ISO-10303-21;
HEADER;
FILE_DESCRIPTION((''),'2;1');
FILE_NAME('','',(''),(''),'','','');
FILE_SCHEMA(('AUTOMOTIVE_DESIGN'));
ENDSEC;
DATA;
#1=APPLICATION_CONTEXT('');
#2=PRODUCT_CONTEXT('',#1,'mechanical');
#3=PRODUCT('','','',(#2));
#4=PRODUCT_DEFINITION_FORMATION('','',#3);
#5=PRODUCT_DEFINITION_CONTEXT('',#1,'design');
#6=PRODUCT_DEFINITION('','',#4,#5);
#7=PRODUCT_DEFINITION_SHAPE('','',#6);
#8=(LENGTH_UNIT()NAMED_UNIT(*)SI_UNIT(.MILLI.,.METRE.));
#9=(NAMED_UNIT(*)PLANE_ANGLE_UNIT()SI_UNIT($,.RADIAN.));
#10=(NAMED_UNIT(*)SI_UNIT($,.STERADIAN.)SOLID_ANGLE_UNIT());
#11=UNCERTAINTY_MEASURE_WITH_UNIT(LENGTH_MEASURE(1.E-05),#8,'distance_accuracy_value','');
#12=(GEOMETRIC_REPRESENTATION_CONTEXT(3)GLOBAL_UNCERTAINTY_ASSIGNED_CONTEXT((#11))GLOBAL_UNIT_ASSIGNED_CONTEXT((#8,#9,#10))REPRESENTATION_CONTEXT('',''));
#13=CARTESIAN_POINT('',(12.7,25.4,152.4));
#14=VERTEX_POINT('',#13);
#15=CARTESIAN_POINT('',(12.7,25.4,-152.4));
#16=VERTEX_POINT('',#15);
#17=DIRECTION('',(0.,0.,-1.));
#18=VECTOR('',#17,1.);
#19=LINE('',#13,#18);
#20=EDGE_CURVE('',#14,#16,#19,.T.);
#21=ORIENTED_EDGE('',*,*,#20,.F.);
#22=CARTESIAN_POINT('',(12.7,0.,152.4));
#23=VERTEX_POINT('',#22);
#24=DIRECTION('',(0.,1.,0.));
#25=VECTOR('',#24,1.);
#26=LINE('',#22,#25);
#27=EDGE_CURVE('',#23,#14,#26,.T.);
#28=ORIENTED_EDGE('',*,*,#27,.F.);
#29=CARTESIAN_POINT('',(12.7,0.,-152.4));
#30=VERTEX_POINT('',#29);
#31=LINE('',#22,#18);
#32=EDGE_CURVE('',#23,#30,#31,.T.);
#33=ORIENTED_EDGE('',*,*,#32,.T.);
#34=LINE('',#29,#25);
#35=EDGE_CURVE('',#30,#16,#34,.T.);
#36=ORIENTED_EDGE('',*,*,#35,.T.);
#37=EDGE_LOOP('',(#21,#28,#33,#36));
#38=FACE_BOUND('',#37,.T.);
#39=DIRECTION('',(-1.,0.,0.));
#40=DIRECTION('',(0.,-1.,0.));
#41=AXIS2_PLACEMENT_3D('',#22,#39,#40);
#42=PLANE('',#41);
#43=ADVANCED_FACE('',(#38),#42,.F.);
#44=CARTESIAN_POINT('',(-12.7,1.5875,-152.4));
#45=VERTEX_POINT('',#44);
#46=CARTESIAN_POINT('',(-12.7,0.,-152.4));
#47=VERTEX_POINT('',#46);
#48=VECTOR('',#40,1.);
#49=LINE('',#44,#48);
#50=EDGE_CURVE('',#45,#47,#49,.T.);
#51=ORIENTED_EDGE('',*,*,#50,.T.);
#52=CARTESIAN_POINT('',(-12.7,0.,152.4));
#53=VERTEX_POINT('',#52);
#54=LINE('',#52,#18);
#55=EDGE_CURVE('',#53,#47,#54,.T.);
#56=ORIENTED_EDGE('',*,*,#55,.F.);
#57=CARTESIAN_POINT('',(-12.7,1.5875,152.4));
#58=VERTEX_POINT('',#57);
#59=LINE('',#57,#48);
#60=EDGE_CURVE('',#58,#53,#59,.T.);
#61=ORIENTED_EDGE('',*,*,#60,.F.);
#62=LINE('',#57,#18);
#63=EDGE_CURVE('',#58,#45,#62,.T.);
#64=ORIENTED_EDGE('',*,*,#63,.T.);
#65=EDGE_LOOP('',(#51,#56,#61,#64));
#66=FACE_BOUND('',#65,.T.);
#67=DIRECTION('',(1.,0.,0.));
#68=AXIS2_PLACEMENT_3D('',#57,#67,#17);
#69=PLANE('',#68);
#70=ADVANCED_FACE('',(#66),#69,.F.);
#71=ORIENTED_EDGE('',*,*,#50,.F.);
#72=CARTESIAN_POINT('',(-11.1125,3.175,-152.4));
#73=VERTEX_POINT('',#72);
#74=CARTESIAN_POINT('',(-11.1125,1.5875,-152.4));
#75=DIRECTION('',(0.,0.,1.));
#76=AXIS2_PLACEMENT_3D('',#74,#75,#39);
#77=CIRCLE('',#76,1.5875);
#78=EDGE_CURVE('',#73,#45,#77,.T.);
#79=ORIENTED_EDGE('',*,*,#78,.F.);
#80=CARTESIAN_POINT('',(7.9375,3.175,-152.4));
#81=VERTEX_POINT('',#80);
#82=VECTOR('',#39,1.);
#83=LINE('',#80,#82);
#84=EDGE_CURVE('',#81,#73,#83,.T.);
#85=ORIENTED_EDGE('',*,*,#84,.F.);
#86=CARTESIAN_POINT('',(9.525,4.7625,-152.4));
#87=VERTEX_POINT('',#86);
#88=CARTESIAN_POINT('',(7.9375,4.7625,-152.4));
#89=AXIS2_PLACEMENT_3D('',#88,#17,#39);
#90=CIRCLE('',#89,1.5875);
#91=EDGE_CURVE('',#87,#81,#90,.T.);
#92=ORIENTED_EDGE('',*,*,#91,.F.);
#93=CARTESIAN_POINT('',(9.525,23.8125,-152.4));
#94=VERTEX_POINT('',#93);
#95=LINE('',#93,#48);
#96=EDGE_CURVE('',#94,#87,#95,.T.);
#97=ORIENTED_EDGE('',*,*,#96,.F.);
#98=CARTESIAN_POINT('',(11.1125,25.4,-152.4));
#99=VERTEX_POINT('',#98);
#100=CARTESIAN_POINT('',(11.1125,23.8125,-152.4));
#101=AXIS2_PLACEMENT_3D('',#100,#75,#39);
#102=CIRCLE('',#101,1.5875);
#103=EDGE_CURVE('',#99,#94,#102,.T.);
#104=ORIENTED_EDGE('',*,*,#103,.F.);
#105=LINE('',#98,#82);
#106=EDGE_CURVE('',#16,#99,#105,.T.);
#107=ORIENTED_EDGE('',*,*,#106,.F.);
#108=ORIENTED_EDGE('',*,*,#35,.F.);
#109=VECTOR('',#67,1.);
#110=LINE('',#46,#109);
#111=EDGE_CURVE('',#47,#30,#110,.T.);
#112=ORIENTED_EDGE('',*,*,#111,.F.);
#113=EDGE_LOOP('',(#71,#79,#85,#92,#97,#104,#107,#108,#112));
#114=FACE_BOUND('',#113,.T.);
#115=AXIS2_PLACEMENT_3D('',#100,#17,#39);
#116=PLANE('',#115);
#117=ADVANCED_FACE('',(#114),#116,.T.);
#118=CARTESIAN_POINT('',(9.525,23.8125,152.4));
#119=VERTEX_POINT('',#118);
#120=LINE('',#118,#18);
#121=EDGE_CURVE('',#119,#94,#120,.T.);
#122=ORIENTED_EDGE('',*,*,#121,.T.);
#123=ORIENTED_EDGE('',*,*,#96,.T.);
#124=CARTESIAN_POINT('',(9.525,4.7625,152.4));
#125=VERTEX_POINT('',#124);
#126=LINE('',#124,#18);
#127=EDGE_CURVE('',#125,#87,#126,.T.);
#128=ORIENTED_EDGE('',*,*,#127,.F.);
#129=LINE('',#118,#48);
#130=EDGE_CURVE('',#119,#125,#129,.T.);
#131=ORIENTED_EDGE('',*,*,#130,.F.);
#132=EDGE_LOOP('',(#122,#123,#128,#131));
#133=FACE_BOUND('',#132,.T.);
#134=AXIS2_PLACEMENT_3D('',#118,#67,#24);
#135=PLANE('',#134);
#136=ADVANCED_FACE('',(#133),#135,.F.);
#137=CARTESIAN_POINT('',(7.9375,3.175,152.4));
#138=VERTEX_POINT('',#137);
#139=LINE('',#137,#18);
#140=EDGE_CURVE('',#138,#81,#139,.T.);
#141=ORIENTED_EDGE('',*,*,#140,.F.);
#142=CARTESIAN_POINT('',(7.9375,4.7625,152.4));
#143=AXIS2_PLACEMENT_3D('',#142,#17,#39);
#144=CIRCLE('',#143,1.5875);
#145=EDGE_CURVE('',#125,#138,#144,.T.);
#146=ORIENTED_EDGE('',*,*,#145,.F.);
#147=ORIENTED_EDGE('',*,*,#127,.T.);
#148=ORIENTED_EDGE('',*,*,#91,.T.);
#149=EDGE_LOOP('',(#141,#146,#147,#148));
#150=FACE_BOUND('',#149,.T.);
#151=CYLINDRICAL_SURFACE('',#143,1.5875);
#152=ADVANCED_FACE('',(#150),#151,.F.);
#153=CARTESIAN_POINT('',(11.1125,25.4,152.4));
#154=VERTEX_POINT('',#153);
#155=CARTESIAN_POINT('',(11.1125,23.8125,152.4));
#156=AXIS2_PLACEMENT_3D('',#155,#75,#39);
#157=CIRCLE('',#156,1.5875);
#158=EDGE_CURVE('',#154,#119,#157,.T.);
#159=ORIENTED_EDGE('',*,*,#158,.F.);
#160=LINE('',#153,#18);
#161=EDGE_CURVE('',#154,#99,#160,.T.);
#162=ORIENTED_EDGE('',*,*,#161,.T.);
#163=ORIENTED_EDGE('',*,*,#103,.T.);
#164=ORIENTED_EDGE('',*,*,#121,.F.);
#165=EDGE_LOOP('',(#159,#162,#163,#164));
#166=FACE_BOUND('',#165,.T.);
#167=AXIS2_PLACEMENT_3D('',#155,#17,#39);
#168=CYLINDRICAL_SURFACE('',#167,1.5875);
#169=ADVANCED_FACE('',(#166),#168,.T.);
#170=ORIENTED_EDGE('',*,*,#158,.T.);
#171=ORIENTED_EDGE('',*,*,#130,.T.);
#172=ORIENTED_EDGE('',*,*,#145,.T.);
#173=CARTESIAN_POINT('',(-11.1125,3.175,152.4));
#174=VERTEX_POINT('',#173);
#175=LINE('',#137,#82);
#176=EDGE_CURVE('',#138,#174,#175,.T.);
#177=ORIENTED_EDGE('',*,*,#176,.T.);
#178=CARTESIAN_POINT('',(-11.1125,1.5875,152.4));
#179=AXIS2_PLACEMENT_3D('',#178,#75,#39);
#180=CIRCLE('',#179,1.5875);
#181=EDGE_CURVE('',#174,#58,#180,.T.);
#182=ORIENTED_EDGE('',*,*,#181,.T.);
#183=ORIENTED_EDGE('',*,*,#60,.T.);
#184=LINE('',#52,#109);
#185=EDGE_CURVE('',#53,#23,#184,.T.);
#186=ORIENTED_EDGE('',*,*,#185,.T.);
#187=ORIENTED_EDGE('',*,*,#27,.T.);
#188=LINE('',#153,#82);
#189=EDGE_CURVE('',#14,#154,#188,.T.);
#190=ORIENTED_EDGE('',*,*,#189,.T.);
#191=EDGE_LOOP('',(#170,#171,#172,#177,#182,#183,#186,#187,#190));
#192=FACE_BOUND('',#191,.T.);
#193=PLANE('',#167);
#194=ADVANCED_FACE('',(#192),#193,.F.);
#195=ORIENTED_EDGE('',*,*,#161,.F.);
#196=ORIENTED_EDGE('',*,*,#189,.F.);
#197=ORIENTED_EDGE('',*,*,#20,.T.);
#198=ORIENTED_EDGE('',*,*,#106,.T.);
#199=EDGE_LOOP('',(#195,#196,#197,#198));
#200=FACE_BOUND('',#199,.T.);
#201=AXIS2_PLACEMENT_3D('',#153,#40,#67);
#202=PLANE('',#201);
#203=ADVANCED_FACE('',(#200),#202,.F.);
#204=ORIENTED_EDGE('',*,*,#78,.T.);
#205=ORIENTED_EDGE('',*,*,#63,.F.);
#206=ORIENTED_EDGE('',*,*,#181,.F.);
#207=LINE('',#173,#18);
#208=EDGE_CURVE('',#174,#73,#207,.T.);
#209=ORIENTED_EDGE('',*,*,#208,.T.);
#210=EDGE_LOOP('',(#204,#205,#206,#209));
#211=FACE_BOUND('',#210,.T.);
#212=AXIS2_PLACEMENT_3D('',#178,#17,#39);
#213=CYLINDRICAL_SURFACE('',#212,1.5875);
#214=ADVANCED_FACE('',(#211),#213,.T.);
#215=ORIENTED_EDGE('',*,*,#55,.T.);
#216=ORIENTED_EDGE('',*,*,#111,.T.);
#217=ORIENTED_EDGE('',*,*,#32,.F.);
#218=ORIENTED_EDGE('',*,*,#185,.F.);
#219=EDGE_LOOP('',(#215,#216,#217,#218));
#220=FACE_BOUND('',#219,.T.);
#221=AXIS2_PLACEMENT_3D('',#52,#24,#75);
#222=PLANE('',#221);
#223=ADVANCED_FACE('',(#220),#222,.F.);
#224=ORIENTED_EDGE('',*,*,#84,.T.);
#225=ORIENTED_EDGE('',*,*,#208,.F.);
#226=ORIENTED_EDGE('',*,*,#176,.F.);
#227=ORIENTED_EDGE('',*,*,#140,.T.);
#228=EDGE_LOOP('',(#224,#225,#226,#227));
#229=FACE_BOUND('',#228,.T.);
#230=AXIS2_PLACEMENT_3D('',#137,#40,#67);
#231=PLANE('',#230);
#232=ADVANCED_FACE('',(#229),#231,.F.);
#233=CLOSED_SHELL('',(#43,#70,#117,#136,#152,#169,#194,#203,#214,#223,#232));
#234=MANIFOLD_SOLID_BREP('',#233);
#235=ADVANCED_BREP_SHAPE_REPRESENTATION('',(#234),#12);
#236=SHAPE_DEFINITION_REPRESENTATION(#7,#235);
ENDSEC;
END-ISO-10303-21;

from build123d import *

# Parameters (mm, degrees)
BOSS_EXTRUDE1_DEPTH = 152.4


with BuildPart() as part:
    # Sketch2 → Boss-Extrude1 (new, symmetric)
    with BuildSketch(Plane.XY):
        with BuildLine():
            Line((-12.7, 0), (12.7, 0))
            Line((12.7, 0), (12.7, 25.4))
            Line((12.7, 25.4), (11.1125, 25.4))
            ThreePointArc((11.1125, 25.4), (9.989967985, 24.935032015), (9.525, 23.8125))
            Line((9.525, 23.8125), (9.525, 4.7625))
            ThreePointArc((9.525, 4.7625), (9.060032015, 3.639967985), (7.9375, 3.175))
            Line((7.9375, 3.175), (-11.1125, 3.175))
            ThreePointArc((-11.1125, 3.175), (-12.235032015, 2.710032015), (-12.7, 1.5875))
            Line((-12.7, 1.5875), (-12.7, 0))
        make_face()
    extrude(amount=BOSS_EXTRUDE1_DEPTH, both=True)


solid = part.part
